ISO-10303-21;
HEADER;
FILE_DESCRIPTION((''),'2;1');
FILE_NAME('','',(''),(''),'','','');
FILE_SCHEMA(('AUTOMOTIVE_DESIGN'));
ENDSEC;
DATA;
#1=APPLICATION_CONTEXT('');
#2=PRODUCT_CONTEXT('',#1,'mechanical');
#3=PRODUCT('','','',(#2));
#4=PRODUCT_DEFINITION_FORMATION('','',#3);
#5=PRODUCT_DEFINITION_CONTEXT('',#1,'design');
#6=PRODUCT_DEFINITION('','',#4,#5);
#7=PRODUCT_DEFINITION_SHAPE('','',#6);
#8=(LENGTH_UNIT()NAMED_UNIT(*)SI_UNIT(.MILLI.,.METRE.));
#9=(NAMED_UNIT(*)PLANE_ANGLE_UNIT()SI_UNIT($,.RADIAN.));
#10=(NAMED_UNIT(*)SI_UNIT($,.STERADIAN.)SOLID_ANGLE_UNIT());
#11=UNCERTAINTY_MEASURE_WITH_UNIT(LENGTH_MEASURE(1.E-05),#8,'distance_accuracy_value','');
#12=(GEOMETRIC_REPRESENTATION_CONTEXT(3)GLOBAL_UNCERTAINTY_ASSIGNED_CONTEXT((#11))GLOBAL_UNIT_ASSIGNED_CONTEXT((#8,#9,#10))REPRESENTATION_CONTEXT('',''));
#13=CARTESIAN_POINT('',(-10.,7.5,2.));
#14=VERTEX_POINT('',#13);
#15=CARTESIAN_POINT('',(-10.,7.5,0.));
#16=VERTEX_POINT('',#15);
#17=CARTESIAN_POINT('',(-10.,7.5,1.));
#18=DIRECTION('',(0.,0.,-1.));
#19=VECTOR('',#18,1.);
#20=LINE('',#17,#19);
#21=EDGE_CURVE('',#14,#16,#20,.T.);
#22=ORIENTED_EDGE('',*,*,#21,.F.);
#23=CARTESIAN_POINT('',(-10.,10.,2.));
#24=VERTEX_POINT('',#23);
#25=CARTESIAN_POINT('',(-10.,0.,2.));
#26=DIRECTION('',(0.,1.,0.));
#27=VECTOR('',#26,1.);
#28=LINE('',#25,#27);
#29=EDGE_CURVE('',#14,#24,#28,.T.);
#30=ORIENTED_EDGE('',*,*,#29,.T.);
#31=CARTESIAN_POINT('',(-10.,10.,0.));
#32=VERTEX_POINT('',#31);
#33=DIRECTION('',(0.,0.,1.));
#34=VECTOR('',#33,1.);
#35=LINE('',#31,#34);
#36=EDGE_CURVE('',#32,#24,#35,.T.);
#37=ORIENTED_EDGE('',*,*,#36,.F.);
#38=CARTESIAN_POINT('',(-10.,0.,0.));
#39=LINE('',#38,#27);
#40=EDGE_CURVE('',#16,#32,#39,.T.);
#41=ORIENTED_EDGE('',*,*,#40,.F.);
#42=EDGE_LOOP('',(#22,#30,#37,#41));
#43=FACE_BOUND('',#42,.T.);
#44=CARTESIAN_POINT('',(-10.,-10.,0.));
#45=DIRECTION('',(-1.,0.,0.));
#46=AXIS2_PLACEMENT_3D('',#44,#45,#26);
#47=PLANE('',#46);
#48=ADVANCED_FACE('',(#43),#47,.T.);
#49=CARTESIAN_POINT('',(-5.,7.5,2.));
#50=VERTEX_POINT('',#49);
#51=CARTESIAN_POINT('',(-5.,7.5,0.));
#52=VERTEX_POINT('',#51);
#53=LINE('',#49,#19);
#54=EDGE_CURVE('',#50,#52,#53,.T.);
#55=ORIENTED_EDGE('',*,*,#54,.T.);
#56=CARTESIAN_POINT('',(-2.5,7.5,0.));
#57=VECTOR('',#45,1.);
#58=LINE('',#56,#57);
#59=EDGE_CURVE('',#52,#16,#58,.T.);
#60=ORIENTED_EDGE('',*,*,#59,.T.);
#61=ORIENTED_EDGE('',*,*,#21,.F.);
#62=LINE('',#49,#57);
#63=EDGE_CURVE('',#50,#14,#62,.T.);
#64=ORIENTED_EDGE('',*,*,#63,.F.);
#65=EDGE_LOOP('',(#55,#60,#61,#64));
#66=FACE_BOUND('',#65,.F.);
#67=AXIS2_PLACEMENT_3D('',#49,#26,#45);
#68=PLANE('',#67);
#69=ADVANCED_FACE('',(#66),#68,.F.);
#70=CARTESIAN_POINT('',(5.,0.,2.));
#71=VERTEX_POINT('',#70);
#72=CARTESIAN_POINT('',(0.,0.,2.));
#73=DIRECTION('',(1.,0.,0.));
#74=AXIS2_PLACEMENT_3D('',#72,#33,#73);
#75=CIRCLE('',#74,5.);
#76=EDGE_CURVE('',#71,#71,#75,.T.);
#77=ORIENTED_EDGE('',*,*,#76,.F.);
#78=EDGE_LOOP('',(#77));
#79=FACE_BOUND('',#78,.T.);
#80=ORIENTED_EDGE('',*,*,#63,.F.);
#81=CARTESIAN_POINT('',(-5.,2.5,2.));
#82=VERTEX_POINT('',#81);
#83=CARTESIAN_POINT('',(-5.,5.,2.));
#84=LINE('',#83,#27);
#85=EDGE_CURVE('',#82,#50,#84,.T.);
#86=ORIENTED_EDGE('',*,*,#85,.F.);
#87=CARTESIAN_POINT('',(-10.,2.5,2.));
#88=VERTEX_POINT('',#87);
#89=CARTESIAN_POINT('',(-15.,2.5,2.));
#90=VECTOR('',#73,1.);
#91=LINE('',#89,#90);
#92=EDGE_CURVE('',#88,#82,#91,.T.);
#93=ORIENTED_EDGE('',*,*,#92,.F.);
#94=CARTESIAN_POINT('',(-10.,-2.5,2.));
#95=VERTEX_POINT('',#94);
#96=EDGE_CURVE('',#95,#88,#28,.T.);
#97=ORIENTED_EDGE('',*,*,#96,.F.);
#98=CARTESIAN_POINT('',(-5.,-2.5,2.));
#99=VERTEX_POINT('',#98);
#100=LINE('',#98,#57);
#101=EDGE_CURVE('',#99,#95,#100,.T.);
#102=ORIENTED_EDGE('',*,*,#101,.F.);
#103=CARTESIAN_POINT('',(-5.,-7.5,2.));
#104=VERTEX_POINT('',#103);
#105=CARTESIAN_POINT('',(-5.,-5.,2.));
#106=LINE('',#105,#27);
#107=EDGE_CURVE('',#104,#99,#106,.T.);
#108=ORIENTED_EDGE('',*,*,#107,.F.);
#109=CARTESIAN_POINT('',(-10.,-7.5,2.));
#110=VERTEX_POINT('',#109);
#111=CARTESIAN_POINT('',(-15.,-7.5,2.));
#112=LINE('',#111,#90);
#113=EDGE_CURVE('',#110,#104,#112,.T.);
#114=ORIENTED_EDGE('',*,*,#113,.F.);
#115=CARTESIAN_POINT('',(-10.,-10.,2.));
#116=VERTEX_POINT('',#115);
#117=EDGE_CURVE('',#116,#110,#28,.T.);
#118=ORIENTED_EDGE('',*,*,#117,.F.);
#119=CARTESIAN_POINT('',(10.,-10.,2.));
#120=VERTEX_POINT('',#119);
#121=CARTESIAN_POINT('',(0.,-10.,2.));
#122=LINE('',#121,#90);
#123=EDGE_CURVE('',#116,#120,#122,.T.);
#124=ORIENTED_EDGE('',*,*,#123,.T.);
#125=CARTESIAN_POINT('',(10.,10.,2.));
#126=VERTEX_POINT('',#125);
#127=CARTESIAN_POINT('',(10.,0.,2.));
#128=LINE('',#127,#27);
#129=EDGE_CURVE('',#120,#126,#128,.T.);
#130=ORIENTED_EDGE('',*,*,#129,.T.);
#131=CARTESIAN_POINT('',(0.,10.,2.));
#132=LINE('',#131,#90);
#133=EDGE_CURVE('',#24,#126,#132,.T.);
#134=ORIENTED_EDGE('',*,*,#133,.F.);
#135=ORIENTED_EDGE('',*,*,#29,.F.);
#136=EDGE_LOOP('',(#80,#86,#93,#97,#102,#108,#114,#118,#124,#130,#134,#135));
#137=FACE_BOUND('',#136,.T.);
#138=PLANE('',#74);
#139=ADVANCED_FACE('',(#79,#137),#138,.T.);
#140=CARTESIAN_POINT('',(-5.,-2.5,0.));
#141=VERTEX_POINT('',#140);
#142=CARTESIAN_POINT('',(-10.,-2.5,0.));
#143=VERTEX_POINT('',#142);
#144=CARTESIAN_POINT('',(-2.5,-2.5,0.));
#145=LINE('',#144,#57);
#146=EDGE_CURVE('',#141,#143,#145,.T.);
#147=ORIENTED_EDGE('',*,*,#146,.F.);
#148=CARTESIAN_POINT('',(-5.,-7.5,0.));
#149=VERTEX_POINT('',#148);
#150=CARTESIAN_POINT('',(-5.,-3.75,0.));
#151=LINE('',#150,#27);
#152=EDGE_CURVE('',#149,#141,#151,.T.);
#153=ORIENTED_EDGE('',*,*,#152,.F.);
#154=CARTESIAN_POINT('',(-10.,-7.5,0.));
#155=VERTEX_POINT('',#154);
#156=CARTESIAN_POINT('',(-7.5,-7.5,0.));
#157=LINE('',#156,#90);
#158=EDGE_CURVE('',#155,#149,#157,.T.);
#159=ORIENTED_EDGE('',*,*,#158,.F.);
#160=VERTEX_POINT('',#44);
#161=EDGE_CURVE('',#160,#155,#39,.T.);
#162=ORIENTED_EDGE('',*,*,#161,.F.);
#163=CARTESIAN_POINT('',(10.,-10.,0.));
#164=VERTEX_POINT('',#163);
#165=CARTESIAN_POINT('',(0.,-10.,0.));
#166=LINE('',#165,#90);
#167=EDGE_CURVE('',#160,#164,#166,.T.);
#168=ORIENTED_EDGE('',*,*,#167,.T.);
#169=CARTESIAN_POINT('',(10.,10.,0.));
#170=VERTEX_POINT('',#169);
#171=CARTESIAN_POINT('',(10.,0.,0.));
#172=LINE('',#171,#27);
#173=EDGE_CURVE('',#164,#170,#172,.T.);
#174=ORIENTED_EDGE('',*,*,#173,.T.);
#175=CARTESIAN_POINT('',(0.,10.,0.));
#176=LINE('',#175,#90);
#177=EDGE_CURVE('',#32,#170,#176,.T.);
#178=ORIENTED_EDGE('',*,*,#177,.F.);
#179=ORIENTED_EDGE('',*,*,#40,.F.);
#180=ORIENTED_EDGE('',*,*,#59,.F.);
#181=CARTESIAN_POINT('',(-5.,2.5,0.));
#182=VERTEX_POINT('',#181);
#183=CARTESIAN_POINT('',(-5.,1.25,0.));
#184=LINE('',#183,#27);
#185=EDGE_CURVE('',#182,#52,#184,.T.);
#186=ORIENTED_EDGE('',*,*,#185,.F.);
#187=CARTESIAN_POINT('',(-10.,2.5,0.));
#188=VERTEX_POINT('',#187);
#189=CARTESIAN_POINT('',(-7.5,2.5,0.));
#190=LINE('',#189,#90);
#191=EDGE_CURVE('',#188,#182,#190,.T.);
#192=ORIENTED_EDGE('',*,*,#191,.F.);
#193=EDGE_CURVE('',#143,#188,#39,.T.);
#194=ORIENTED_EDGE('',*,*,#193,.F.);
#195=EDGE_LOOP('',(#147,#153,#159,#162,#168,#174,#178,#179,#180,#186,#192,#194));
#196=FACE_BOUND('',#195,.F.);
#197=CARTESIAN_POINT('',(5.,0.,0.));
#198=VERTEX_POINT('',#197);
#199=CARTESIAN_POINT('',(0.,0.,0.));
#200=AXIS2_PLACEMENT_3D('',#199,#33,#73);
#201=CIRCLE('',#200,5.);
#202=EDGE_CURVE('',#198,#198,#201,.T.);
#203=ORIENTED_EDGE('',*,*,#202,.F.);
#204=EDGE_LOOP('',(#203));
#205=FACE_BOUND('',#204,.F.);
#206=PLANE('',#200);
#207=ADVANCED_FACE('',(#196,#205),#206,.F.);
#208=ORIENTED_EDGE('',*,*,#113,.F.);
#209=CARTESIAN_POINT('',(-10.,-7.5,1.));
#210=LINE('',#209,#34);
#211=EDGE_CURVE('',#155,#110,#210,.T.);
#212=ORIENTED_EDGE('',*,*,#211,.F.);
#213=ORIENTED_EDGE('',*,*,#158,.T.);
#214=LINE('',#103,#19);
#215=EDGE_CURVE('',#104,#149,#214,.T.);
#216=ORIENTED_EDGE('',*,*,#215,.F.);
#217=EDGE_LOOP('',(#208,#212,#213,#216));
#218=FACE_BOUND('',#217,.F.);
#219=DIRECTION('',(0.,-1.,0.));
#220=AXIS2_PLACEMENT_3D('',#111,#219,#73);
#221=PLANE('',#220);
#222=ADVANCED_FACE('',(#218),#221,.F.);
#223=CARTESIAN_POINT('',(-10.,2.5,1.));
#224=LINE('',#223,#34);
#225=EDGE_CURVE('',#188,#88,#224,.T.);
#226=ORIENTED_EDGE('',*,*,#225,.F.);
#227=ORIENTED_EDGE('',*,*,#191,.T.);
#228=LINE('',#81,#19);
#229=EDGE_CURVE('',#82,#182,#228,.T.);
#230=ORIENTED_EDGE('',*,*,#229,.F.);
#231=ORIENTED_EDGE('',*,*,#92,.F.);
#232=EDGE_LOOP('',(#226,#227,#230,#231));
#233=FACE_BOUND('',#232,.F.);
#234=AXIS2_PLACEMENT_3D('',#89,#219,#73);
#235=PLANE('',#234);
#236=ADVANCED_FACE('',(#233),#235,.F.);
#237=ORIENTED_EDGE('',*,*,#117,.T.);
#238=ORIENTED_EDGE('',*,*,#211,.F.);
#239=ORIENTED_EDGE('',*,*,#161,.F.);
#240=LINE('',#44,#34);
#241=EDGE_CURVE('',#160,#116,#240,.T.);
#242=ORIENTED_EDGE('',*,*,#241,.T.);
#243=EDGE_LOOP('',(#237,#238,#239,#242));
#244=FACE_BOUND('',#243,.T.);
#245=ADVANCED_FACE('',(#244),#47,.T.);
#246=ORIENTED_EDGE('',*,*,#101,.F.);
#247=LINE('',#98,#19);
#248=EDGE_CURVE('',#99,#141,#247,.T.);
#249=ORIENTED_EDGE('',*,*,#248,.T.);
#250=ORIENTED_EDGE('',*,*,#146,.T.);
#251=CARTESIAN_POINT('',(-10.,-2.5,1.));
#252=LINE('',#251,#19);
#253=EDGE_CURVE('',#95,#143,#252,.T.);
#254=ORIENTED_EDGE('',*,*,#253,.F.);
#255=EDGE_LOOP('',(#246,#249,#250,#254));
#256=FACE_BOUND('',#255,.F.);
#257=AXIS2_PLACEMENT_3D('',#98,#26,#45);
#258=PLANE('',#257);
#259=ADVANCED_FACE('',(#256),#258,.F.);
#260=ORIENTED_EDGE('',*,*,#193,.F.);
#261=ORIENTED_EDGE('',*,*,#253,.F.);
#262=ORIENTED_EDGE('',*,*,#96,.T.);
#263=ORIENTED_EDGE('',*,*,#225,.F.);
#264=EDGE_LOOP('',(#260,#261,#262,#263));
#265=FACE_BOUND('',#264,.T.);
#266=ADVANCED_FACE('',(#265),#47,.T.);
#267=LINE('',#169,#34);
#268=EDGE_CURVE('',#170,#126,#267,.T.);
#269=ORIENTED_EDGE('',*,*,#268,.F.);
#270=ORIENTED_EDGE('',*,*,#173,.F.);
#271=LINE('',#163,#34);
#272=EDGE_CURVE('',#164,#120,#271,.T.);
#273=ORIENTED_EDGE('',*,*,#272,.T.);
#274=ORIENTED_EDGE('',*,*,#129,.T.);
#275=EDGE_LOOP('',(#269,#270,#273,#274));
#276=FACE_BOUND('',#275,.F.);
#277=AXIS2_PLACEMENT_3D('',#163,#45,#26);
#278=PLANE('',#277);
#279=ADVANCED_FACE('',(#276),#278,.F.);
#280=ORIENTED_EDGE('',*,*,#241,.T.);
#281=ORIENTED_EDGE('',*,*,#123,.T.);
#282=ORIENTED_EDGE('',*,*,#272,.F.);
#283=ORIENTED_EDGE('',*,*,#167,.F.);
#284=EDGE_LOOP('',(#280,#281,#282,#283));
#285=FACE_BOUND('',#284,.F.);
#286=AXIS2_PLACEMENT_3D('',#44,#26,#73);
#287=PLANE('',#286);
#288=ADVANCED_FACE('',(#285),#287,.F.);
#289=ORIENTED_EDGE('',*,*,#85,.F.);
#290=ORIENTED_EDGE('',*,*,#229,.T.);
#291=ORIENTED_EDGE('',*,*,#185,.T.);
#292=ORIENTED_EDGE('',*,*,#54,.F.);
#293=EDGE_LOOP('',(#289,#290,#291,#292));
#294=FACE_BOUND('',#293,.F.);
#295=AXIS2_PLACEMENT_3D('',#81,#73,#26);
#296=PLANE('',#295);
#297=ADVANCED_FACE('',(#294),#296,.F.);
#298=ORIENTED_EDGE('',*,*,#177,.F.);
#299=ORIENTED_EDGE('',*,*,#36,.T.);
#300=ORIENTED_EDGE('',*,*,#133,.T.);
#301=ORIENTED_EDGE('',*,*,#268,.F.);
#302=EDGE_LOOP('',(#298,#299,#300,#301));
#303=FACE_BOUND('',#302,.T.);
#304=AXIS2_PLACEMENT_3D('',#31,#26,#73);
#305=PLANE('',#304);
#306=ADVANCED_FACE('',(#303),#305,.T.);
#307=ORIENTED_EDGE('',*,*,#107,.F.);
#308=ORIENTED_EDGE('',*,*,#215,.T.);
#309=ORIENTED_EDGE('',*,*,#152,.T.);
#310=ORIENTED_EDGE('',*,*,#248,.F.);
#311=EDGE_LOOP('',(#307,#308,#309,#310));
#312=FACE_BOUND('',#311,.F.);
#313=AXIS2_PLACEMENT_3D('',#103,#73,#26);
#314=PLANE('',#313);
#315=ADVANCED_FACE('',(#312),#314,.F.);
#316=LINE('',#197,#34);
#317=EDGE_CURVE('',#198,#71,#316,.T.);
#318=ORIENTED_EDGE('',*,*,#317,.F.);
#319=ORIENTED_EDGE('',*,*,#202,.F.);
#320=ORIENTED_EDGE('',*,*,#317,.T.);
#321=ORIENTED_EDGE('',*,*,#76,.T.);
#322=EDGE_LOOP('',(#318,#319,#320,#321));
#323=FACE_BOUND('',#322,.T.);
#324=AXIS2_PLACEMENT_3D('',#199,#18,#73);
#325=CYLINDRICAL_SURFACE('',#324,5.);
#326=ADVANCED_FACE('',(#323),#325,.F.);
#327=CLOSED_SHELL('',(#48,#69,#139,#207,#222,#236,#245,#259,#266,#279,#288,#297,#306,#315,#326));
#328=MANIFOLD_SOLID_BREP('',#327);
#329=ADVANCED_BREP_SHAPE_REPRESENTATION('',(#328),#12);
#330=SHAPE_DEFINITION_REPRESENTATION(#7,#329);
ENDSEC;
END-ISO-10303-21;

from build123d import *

# Parameters (mm, degrees)
F0_W     = 20
F0_H     = 20
F0_R     = 5
F1_DEPTH = 2
F2_W     = 5
F2_H     = 5
F3_DEPTH = 2.001


with BuildPart() as f1:
    # F0 (on Top) → F1 (new body)
    with BuildSketch(Plane.XY):
        Rectangle(F0_W, F0_H)
        Circle(F0_R, mode=Mode.SUBTRACT)
    extrude(amount=F1_DEPTH)

    # F2 (on face) → F3 (cut, through all)
    with BuildSketch(Plane.XY.offset(2)):
        with Locations((-12.5, -5)):
            Rectangle(F2_W, F2_H)
        with Locations((-7.5, -5)):
            Rectangle(F2_W, F2_H)
        with Locations((-12.5, 5)):
            Rectangle(F2_W, F2_H)
        with Locations((-7.5, 5)):
            Rectangle(F2_W, F2_H)
    extrude(amount=-F3_DEPTH, mode=Mode.SUBTRACT)


solid = f1.part
